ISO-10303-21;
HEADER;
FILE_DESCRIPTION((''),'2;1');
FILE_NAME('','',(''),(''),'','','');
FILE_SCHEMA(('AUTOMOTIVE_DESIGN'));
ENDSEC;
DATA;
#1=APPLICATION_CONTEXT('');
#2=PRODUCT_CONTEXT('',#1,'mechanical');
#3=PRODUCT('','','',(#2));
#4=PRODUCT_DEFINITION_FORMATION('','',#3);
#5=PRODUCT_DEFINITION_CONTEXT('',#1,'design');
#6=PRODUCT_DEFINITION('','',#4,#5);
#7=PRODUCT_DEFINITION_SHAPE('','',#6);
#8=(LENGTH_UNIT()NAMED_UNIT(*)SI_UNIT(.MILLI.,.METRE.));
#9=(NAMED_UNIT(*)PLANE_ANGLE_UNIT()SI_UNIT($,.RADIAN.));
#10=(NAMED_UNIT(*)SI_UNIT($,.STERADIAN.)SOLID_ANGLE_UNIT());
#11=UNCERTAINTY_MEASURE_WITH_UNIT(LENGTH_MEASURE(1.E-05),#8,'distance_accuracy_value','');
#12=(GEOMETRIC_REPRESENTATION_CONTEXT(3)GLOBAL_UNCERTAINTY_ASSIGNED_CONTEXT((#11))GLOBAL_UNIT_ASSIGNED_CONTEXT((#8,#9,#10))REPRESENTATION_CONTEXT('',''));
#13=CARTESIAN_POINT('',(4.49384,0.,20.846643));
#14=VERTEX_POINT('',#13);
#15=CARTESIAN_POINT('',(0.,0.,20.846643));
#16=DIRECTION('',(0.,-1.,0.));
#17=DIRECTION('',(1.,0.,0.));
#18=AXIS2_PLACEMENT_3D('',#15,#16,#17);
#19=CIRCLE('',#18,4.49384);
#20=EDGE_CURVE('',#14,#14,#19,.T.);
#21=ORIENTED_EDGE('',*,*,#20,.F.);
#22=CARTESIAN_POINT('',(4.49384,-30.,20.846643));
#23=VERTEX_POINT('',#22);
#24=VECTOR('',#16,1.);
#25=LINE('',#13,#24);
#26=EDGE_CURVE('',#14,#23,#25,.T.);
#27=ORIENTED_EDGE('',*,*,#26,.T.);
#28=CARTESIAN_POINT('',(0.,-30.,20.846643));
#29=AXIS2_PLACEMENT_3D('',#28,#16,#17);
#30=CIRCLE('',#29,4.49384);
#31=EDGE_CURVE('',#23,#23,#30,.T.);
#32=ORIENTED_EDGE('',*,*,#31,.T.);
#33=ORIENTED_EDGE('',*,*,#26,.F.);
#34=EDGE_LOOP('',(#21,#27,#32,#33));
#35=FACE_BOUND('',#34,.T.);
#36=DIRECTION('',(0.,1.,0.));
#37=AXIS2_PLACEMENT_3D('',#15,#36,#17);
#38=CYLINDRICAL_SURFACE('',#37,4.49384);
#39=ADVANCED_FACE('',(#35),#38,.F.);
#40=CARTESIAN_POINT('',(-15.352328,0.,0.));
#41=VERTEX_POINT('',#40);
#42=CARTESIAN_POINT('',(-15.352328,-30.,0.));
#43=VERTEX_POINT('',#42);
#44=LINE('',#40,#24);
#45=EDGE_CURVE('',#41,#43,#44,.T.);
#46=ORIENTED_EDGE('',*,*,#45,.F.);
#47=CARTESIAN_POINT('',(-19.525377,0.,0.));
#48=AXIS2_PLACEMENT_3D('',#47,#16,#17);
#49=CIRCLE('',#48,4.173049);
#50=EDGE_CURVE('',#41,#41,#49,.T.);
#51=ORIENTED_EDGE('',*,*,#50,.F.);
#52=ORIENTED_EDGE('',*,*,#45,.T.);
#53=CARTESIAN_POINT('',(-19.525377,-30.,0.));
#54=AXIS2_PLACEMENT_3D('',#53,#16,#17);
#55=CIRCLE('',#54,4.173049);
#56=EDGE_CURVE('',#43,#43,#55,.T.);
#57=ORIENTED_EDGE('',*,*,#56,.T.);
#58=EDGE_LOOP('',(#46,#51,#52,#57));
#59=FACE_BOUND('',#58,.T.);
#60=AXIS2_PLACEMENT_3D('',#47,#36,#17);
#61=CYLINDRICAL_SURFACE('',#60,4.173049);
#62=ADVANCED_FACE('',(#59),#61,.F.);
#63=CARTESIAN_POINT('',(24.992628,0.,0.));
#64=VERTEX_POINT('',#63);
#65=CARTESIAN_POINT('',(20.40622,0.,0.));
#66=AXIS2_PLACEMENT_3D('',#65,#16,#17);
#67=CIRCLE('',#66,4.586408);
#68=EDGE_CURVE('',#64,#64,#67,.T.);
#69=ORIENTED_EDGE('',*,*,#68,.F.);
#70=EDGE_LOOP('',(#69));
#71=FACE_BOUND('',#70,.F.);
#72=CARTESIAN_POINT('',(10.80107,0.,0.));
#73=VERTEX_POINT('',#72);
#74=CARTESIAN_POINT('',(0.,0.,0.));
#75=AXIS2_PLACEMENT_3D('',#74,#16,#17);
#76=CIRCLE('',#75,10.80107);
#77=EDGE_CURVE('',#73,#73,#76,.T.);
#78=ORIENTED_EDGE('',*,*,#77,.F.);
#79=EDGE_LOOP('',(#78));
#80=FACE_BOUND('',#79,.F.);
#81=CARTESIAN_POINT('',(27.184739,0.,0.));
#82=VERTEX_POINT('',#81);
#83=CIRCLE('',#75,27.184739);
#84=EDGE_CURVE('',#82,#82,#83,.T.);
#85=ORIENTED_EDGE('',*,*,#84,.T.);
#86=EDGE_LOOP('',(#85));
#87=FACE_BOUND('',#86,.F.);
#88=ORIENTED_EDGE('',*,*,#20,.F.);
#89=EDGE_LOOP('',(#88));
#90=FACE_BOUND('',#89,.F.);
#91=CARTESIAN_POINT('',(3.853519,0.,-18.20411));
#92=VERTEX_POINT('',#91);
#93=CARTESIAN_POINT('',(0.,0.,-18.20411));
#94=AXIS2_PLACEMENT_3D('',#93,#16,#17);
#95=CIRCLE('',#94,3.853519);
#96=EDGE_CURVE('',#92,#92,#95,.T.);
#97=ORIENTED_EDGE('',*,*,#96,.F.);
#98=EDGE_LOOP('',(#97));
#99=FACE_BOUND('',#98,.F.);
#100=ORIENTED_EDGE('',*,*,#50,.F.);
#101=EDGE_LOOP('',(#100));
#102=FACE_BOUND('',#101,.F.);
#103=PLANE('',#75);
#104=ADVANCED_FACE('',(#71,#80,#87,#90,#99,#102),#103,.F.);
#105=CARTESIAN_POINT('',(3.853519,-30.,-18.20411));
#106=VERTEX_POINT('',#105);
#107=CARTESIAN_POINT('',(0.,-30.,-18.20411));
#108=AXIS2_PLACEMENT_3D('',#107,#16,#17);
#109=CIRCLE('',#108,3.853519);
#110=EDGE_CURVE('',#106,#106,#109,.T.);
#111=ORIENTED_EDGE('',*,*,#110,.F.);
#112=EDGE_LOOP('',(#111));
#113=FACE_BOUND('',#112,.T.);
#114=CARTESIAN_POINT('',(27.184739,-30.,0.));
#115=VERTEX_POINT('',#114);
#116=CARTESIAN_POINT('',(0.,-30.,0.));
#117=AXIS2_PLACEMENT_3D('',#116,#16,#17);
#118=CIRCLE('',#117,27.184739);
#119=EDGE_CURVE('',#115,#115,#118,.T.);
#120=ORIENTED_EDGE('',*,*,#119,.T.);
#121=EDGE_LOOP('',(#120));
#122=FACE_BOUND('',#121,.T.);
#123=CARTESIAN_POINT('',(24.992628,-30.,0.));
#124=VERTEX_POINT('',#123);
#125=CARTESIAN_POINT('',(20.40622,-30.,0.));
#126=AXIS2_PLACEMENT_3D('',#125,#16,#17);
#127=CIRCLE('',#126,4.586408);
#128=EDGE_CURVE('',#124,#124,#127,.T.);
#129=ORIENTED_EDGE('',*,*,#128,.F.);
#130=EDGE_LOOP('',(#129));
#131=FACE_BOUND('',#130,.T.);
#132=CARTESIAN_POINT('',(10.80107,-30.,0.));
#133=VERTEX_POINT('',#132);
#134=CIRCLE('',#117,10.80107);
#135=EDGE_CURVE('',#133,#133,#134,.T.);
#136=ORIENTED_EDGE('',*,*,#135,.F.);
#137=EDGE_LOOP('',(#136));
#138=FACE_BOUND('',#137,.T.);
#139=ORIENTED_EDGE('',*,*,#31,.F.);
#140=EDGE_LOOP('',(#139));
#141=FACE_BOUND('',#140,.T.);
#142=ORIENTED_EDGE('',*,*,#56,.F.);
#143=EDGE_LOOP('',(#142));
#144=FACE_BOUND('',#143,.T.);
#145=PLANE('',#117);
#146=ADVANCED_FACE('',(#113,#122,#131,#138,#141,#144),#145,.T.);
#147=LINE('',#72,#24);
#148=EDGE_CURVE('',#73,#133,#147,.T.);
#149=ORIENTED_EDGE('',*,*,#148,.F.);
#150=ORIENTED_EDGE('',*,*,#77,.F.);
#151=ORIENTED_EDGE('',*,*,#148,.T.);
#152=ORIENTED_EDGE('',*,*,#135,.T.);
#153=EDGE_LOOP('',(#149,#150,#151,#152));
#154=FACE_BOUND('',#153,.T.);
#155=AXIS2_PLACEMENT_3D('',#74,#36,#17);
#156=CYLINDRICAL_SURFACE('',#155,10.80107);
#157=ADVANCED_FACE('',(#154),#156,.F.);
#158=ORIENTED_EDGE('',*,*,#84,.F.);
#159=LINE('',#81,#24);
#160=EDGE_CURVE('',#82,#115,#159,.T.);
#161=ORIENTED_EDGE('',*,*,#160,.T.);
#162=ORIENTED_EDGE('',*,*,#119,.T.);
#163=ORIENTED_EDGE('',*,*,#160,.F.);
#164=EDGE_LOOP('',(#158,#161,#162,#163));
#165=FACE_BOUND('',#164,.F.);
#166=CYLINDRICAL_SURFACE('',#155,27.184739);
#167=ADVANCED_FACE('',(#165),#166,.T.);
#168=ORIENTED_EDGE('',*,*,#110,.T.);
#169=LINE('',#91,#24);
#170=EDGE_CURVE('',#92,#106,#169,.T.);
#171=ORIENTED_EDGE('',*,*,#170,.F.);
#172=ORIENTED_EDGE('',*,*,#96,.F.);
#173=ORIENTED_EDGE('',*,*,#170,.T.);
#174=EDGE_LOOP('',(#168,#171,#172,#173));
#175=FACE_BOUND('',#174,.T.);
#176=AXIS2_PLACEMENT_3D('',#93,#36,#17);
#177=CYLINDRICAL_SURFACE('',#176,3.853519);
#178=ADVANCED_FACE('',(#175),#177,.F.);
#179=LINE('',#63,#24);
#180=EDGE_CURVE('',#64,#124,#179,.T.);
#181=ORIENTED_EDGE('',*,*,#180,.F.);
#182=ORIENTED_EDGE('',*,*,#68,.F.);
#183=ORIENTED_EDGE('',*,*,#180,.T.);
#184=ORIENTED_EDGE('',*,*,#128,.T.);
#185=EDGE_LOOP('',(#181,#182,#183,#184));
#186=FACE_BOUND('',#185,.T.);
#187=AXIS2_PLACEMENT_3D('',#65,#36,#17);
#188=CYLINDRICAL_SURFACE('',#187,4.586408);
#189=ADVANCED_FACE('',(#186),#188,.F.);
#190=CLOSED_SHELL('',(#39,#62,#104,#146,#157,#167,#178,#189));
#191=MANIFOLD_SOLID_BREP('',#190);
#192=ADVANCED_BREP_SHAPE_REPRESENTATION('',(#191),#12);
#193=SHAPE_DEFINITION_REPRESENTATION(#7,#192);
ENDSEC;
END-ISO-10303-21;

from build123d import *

# Parameters (mm, degrees)
F0_R     = 27.184739
F0_R_2   = 3.853519
F0_R_3   = 4.173049
F0_R_4   = 10.80107
F0_R_5   = 4.586408
F0_R_6   = 4.49384
F1_DEPTH = 30


with BuildPart() as f1:
    # F0 (on Front) → F1 (new body)
    with BuildSketch(Plane.XZ):
        Circle(F0_R)
        with Locations((0, -18.20411)):
            Circle(F0_R_2, mode=Mode.SUBTRACT)
        with Locations((-19.525377, 0)):
            Circle(F0_R_3, mode=Mode.SUBTRACT)
        Circle(F0_R_4, mode=Mode.SUBTRACT)
        with Locations((20.40622, 0)):
            Circle(F0_R_5, mode=Mode.SUBTRACT)
        with Locations((0, 20.846643)):
            Circle(F0_R_6, mode=Mode.SUBTRACT)
    extrude(amount=F1_DEPTH)


solid = f1.part
